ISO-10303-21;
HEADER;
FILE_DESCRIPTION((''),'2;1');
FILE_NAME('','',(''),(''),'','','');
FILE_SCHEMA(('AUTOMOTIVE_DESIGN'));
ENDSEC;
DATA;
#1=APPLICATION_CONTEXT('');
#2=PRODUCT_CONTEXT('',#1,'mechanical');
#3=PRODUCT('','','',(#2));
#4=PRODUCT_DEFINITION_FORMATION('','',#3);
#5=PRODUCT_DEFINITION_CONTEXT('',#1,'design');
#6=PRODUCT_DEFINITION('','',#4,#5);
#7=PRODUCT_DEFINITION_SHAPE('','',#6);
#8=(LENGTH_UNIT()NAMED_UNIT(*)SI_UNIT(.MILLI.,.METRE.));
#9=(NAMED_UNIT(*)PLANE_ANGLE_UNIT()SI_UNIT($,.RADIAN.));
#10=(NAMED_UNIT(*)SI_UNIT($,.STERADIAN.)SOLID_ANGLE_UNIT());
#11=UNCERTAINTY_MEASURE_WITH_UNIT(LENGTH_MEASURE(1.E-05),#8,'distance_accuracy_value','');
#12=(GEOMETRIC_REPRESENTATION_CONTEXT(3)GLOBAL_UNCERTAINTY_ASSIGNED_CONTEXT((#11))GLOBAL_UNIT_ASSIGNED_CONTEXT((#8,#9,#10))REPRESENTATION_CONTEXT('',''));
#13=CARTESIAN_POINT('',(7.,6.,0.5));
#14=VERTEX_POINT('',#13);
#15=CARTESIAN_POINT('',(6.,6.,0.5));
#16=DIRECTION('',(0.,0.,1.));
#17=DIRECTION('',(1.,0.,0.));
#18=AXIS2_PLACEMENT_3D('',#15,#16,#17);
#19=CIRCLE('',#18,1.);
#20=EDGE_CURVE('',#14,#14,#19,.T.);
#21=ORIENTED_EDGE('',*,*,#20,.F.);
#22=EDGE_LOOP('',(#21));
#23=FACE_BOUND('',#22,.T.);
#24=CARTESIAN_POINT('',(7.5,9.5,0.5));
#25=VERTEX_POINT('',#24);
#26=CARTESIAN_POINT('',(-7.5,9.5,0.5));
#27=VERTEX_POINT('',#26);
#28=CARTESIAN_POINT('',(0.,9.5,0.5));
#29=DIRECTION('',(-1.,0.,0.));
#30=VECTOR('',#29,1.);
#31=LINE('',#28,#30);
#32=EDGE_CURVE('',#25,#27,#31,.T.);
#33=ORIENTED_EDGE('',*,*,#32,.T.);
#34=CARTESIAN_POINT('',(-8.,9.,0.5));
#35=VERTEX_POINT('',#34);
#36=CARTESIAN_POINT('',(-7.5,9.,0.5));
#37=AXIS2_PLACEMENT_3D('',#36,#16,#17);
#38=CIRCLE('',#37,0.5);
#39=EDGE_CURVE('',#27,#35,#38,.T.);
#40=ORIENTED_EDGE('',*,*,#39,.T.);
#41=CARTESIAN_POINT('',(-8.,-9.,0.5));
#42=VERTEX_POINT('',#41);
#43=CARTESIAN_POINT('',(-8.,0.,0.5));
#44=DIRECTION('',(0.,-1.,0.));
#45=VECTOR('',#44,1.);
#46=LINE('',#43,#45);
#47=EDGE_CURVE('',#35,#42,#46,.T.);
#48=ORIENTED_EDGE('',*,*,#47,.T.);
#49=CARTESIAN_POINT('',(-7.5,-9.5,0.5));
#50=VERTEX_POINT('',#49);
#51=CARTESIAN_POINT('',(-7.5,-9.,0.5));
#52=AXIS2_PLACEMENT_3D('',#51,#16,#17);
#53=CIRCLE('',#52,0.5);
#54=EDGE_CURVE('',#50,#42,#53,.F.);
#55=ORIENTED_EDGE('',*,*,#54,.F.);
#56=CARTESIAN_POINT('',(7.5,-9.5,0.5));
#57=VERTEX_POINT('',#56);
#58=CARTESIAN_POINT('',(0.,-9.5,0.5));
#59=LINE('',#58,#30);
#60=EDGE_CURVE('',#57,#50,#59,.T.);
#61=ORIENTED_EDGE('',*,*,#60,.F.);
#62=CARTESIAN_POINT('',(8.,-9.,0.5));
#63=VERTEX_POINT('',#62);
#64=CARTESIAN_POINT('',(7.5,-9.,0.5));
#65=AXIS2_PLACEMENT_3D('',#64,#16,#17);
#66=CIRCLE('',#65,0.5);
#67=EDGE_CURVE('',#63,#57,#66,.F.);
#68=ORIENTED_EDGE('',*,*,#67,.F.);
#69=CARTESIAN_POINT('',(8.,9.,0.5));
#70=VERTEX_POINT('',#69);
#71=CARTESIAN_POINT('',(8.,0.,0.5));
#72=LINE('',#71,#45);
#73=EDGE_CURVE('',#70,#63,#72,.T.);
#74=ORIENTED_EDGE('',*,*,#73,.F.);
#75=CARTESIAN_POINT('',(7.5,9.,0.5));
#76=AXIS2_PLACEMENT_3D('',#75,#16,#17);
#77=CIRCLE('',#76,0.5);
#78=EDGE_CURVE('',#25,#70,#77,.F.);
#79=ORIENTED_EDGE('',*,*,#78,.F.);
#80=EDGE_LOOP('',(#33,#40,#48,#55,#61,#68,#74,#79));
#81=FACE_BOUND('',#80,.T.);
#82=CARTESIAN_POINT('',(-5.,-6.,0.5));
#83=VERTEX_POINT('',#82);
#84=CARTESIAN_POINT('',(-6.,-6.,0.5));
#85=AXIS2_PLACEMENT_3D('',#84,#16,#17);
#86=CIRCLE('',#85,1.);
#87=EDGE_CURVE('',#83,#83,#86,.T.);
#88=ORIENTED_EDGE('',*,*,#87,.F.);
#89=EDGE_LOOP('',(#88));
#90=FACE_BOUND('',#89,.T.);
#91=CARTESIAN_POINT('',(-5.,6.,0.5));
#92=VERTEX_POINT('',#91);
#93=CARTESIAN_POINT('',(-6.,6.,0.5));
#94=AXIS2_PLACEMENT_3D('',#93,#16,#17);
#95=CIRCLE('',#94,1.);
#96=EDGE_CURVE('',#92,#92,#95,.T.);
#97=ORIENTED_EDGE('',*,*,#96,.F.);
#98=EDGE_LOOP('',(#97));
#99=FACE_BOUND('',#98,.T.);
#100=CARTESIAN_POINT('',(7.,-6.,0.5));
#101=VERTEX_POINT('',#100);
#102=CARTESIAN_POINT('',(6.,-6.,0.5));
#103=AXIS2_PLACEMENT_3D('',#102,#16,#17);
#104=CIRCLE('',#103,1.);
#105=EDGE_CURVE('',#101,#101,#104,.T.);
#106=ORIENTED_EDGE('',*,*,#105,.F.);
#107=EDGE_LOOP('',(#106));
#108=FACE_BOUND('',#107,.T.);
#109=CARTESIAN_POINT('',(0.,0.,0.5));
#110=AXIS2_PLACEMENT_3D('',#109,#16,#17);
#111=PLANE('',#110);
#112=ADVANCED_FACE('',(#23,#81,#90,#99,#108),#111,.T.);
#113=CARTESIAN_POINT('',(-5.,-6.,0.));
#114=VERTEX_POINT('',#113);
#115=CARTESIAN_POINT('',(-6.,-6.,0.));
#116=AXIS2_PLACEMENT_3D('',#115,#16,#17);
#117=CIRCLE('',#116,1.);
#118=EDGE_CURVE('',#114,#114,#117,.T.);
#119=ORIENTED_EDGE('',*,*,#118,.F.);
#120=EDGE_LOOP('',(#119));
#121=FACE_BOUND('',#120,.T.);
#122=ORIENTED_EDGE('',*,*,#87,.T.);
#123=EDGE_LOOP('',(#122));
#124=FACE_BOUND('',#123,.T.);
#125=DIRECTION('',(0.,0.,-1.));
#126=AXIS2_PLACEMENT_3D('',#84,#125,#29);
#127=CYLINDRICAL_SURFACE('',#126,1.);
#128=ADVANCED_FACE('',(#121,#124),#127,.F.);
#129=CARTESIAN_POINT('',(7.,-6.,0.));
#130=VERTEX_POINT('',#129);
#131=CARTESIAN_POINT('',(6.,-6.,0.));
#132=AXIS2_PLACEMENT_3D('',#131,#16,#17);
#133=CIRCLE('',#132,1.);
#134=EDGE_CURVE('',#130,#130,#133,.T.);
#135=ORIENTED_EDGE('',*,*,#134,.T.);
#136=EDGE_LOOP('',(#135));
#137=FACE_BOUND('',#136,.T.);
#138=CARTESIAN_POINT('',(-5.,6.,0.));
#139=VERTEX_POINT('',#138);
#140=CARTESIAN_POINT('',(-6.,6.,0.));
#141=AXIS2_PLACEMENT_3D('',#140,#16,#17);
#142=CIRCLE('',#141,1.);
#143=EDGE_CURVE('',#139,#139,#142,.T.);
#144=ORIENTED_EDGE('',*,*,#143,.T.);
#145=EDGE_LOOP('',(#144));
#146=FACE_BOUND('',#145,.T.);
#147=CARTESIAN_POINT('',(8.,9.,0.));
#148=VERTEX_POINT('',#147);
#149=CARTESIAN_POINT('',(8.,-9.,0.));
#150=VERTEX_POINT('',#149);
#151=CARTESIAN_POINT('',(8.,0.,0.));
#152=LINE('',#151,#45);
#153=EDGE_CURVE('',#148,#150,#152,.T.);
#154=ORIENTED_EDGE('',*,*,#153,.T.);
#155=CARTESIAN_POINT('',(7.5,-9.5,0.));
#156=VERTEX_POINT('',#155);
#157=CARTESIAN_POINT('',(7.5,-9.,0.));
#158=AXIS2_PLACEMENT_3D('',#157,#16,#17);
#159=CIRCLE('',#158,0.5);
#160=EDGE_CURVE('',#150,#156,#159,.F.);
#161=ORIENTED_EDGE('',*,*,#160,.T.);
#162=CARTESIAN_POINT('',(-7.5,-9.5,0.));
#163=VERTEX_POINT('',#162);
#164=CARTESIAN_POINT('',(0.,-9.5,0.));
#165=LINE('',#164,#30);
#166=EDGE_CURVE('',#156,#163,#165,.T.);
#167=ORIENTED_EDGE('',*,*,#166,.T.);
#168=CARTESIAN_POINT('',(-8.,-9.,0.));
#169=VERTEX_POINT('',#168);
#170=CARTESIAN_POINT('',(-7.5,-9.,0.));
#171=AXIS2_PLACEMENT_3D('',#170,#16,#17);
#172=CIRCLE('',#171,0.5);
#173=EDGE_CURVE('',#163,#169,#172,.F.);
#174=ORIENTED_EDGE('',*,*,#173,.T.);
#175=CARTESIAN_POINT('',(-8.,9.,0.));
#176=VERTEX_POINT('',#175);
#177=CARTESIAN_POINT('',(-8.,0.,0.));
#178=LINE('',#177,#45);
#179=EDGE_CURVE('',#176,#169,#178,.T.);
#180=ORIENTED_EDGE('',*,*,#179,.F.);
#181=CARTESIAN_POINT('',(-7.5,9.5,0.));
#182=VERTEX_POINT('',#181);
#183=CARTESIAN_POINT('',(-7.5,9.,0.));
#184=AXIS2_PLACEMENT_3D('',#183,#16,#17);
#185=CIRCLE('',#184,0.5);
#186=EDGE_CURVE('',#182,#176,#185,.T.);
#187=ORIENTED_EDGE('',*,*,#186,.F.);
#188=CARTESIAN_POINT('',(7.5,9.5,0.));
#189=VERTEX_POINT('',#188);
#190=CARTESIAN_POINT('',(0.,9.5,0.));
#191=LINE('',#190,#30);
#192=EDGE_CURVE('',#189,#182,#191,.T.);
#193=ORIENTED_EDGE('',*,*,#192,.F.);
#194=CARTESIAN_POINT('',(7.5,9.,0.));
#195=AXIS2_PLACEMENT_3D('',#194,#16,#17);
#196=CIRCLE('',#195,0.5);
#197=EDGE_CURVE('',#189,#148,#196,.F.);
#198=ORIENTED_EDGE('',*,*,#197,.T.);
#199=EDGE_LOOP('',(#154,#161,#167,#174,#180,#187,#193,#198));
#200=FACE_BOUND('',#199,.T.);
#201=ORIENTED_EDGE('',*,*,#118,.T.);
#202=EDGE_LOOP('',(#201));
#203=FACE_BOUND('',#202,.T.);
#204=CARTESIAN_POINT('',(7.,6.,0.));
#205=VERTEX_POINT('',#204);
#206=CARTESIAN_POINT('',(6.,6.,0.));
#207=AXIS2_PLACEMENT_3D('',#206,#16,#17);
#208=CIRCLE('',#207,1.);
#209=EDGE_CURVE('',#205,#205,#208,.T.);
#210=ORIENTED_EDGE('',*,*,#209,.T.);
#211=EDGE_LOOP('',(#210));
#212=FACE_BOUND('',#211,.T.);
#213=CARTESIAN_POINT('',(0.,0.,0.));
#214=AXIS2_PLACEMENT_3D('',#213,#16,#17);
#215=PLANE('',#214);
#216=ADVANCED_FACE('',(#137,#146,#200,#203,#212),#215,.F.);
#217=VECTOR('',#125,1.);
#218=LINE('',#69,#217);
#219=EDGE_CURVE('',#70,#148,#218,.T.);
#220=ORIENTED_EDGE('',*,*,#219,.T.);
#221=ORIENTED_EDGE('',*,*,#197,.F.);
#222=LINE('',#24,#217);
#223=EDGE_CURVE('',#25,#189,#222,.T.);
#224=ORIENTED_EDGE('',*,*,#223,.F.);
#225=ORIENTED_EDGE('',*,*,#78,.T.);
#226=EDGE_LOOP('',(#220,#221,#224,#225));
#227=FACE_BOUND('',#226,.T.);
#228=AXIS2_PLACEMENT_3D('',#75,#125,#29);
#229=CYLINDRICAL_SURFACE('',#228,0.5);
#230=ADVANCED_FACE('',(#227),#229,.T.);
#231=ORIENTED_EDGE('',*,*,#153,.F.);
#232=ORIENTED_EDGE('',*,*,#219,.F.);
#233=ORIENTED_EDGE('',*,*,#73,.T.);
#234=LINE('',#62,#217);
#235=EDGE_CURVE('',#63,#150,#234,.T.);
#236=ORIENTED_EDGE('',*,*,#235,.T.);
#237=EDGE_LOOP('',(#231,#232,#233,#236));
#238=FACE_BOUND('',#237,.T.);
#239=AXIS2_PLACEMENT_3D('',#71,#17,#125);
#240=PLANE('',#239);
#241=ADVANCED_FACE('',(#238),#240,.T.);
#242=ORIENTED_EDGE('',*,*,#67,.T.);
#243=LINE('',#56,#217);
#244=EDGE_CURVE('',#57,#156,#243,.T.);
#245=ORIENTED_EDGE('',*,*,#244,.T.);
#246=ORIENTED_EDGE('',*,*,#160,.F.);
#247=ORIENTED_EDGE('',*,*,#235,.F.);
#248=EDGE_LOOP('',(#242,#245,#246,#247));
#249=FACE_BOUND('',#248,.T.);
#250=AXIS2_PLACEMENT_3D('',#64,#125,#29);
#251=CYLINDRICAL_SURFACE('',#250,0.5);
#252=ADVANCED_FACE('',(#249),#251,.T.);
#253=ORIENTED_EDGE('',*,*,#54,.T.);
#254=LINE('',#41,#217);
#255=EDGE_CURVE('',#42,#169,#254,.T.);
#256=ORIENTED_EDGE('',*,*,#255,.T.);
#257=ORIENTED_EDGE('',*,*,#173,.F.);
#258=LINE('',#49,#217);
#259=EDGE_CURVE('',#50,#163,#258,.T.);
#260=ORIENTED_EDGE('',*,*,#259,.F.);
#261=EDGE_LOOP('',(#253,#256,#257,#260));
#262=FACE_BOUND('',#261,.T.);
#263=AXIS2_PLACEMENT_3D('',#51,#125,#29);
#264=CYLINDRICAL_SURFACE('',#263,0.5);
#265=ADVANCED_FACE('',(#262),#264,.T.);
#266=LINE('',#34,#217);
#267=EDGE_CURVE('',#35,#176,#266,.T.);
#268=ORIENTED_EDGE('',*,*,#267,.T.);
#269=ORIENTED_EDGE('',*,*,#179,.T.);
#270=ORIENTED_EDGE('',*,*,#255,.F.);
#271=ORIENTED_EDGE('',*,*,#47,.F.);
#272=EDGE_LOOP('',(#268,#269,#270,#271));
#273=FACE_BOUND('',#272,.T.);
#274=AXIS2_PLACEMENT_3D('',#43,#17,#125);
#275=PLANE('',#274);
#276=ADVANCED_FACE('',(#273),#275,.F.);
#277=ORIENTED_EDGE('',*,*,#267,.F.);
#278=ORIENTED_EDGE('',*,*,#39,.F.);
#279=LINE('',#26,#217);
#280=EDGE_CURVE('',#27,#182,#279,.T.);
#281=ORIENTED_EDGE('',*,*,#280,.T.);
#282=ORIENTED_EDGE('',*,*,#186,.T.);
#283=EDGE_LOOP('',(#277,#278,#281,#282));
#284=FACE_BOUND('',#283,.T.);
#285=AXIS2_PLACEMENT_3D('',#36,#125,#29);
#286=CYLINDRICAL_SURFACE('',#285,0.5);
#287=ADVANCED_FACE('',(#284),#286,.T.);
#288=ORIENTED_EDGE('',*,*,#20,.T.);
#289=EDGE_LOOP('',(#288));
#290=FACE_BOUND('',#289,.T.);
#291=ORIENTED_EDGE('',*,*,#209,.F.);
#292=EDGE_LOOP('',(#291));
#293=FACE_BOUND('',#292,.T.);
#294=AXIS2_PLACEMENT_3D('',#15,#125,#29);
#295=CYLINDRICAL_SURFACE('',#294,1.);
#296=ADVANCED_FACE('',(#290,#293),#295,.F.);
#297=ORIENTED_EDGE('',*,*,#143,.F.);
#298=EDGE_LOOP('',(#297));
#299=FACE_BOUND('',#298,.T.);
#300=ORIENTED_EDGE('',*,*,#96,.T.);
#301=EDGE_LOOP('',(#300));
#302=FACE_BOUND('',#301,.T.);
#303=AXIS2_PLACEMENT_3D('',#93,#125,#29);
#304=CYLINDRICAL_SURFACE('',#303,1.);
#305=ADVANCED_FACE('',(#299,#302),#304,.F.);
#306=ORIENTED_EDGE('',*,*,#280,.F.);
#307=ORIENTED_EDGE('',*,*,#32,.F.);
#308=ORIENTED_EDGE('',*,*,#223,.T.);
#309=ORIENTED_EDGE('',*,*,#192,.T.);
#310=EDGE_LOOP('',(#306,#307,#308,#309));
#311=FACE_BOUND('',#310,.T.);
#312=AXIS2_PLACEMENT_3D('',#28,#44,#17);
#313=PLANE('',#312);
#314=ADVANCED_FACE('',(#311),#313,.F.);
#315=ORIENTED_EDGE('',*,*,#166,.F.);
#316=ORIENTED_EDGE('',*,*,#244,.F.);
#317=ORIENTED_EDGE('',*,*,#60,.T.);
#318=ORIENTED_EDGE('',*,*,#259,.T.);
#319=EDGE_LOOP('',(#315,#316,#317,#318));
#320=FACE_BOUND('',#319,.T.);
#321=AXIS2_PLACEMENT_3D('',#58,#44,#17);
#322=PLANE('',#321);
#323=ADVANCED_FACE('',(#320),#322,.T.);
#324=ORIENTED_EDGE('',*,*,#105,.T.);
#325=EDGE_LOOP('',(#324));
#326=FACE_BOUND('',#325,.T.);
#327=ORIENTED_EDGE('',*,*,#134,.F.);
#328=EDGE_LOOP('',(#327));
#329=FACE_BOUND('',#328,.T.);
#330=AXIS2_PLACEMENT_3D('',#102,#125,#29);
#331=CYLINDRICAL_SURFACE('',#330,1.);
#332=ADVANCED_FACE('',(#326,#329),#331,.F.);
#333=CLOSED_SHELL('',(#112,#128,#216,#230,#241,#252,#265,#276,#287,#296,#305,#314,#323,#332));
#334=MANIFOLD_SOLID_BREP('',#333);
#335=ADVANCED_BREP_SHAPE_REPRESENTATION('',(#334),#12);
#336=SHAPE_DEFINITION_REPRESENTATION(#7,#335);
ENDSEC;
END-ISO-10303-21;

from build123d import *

# Parameters (mm, degrees)
SKETCH2_R           = 1
BOSS_EXTRUDE1_DEPTH = 0.5


with BuildPart() as part:
    # Sketch2 → Boss-Extrude1 (new body)
    with BuildSketch(Plane.XY):
        with BuildLine():
            Line((7.5, 9.5), (-7.5, 9.5))
            ThreePointArc((-7.5, 9.5), (-7.853553391, 9.353553391), (-8, 9))
            Line((-8, 9), (-8, -9))
            ThreePointArc((-8, -9), (-7.853553391, -9.353553391), (-7.5, -9.5))
            Line((-7.5, -9.5), (7.5, -9.5))
            ThreePointArc((7.5, -9.5), (7.853553391, -9.353553391), (8, -9))
            Line((8, -9), (8, 9))
            ThreePointArc((8, 9), (7.853553391, 9.353553391), (7.5, 9.5))
        make_face()
        with Locations((-6, -6)):
            Circle(SKETCH2_R, mode=Mode.SUBTRACT)
        with Locations((6, -6)):
            Circle(SKETCH2_R, mode=Mode.SUBTRACT)
        with Locations((6, 6)):
            Circle(SKETCH2_R, mode=Mode.SUBTRACT)
        with Locations((-6, 6)):
            Circle(SKETCH2_R, mode=Mode.SUBTRACT)
    extrude(amount=BOSS_EXTRUDE1_DEPTH)


solid = part.part
